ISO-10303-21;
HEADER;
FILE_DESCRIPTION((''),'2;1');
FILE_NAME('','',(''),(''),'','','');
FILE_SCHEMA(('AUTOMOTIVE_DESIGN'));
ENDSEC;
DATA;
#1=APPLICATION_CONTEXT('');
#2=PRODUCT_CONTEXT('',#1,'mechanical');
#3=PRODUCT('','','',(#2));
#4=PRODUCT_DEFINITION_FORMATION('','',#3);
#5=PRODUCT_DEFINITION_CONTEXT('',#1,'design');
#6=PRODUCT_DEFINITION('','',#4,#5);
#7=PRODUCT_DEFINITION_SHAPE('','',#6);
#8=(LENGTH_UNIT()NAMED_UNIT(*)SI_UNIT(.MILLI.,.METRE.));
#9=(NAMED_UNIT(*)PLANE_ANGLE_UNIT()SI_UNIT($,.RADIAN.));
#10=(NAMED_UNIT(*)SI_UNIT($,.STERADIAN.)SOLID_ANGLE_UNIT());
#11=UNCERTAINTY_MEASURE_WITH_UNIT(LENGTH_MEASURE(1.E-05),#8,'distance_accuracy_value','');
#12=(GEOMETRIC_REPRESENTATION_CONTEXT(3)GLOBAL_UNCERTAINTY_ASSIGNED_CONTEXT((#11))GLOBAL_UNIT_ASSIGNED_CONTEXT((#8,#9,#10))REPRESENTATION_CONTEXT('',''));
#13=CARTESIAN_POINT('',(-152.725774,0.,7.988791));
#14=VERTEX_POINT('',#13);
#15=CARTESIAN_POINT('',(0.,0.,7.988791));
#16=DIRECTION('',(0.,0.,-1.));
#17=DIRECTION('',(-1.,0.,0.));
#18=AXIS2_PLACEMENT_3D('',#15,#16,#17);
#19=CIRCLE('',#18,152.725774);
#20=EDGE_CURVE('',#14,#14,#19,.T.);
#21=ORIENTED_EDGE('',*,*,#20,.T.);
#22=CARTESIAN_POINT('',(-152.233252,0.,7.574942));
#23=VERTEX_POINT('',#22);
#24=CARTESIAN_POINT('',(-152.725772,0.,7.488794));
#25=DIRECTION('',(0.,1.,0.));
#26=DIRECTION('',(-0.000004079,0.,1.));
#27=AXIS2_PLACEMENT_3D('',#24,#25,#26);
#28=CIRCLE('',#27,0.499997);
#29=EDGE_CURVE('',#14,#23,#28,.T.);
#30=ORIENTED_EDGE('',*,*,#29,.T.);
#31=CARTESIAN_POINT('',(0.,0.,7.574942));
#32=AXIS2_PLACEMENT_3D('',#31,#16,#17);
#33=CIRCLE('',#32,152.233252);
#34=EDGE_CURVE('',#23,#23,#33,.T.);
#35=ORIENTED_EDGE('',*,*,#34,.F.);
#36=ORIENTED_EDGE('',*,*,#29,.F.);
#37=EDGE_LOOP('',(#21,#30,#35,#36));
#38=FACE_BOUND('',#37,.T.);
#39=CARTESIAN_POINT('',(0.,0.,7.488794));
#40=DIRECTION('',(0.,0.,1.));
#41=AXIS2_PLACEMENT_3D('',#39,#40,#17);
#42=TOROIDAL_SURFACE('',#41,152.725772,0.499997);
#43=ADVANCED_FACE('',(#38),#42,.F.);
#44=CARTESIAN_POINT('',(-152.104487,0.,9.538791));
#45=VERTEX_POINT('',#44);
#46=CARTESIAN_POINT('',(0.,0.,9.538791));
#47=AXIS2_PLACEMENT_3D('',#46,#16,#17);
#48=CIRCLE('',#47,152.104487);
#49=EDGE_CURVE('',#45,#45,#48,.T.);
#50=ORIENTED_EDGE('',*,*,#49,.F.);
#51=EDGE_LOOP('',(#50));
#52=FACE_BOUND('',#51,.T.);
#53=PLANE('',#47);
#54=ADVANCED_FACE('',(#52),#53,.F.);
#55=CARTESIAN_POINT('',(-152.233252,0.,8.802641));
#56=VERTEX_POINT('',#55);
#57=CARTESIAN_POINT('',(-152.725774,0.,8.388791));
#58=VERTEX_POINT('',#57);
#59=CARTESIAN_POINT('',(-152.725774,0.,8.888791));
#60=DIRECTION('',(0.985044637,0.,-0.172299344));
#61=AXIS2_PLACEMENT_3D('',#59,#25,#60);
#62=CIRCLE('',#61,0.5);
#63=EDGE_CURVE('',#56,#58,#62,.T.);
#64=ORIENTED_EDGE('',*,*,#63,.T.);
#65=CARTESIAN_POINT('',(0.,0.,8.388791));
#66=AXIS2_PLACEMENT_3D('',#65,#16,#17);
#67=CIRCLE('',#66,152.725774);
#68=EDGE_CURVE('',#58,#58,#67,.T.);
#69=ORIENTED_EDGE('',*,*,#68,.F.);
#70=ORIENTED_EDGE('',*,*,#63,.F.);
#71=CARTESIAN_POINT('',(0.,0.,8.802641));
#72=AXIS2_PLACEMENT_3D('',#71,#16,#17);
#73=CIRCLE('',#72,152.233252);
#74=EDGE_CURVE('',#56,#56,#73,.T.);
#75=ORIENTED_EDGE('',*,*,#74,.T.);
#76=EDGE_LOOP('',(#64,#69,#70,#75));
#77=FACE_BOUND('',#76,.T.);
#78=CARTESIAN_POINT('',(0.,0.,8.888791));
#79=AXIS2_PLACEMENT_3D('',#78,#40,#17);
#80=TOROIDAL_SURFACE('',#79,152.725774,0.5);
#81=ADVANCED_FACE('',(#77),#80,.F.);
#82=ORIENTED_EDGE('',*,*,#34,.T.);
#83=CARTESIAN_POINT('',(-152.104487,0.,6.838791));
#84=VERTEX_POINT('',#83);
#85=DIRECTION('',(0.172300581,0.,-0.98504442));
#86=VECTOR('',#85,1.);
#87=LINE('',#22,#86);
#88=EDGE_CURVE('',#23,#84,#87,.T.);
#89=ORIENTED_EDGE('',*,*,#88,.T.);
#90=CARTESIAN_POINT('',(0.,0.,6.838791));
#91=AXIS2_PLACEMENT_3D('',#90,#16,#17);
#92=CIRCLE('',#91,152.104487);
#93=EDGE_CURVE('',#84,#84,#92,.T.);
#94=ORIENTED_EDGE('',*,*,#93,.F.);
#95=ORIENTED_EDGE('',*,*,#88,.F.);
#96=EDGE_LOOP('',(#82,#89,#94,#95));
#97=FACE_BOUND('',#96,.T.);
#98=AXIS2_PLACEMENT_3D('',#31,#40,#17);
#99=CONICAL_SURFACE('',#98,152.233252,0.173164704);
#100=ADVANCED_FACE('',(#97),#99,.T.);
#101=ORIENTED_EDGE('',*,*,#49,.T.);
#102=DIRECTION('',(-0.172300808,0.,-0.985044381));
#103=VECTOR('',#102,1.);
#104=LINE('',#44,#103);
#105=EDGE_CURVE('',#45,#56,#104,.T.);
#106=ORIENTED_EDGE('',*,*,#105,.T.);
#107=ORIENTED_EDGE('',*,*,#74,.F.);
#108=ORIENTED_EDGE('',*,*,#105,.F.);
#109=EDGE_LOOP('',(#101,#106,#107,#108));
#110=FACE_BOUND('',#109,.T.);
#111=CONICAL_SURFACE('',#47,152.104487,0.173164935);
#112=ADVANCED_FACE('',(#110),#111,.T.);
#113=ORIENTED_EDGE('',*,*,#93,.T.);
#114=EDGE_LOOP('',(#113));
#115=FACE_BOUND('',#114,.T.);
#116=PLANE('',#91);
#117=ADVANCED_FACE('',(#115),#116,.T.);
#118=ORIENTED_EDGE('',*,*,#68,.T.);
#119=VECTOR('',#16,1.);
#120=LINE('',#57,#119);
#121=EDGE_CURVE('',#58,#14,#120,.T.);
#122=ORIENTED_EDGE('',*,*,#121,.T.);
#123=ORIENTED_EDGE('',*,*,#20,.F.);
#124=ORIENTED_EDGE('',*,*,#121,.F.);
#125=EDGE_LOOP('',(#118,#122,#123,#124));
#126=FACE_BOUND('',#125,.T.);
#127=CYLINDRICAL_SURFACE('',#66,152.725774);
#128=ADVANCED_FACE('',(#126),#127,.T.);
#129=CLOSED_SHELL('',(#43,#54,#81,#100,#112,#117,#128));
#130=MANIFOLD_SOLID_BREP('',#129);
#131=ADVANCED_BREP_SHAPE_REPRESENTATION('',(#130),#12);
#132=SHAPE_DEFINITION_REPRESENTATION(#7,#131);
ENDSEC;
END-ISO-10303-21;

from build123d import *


with BuildPart() as f1:
    # F0 (on Front) → F1 (revolve)
    with BuildSketch(Plane.XZ):
        with BuildLine():
            Line((0, 6.838791), (0, 9.538791))
            Line((0, 9.538791), (-20.181025, 9.538791))
            Line((-20.181025, 9.538791), (-20.309017, 9.538791))
            Line((-20.309017, 9.538791), (-152.104487, 9.538791))
            Line((-152.104487, 9.538791), (-152.233252, 8.802641))
            ThreePointArc((-152.233252, 8.802641), (-152.404118, 8.505989), (-152.725774, 8.388791))
            Line((-152.725774, 8.388791), (-152.725774, 7.988791))
            ThreePointArc((-152.725774, 7.988791), (-152.404118, 7.871594), (-152.233252, 7.574942))
            Line((-152.233252, 7.574942), (-152.104487, 6.838791))
            Line((-152.104487, 6.838791), (-20.309017, 6.838791))
            Line((-20.309017, 6.838791), (-20.181025, 6.838791))
            Line((-20.181025, 6.838791), (0, 6.838791))
        make_face()
    revolve(axis=Axis((0, 0, -43.787105), (0, 0, -1)))


solid = f1.part
